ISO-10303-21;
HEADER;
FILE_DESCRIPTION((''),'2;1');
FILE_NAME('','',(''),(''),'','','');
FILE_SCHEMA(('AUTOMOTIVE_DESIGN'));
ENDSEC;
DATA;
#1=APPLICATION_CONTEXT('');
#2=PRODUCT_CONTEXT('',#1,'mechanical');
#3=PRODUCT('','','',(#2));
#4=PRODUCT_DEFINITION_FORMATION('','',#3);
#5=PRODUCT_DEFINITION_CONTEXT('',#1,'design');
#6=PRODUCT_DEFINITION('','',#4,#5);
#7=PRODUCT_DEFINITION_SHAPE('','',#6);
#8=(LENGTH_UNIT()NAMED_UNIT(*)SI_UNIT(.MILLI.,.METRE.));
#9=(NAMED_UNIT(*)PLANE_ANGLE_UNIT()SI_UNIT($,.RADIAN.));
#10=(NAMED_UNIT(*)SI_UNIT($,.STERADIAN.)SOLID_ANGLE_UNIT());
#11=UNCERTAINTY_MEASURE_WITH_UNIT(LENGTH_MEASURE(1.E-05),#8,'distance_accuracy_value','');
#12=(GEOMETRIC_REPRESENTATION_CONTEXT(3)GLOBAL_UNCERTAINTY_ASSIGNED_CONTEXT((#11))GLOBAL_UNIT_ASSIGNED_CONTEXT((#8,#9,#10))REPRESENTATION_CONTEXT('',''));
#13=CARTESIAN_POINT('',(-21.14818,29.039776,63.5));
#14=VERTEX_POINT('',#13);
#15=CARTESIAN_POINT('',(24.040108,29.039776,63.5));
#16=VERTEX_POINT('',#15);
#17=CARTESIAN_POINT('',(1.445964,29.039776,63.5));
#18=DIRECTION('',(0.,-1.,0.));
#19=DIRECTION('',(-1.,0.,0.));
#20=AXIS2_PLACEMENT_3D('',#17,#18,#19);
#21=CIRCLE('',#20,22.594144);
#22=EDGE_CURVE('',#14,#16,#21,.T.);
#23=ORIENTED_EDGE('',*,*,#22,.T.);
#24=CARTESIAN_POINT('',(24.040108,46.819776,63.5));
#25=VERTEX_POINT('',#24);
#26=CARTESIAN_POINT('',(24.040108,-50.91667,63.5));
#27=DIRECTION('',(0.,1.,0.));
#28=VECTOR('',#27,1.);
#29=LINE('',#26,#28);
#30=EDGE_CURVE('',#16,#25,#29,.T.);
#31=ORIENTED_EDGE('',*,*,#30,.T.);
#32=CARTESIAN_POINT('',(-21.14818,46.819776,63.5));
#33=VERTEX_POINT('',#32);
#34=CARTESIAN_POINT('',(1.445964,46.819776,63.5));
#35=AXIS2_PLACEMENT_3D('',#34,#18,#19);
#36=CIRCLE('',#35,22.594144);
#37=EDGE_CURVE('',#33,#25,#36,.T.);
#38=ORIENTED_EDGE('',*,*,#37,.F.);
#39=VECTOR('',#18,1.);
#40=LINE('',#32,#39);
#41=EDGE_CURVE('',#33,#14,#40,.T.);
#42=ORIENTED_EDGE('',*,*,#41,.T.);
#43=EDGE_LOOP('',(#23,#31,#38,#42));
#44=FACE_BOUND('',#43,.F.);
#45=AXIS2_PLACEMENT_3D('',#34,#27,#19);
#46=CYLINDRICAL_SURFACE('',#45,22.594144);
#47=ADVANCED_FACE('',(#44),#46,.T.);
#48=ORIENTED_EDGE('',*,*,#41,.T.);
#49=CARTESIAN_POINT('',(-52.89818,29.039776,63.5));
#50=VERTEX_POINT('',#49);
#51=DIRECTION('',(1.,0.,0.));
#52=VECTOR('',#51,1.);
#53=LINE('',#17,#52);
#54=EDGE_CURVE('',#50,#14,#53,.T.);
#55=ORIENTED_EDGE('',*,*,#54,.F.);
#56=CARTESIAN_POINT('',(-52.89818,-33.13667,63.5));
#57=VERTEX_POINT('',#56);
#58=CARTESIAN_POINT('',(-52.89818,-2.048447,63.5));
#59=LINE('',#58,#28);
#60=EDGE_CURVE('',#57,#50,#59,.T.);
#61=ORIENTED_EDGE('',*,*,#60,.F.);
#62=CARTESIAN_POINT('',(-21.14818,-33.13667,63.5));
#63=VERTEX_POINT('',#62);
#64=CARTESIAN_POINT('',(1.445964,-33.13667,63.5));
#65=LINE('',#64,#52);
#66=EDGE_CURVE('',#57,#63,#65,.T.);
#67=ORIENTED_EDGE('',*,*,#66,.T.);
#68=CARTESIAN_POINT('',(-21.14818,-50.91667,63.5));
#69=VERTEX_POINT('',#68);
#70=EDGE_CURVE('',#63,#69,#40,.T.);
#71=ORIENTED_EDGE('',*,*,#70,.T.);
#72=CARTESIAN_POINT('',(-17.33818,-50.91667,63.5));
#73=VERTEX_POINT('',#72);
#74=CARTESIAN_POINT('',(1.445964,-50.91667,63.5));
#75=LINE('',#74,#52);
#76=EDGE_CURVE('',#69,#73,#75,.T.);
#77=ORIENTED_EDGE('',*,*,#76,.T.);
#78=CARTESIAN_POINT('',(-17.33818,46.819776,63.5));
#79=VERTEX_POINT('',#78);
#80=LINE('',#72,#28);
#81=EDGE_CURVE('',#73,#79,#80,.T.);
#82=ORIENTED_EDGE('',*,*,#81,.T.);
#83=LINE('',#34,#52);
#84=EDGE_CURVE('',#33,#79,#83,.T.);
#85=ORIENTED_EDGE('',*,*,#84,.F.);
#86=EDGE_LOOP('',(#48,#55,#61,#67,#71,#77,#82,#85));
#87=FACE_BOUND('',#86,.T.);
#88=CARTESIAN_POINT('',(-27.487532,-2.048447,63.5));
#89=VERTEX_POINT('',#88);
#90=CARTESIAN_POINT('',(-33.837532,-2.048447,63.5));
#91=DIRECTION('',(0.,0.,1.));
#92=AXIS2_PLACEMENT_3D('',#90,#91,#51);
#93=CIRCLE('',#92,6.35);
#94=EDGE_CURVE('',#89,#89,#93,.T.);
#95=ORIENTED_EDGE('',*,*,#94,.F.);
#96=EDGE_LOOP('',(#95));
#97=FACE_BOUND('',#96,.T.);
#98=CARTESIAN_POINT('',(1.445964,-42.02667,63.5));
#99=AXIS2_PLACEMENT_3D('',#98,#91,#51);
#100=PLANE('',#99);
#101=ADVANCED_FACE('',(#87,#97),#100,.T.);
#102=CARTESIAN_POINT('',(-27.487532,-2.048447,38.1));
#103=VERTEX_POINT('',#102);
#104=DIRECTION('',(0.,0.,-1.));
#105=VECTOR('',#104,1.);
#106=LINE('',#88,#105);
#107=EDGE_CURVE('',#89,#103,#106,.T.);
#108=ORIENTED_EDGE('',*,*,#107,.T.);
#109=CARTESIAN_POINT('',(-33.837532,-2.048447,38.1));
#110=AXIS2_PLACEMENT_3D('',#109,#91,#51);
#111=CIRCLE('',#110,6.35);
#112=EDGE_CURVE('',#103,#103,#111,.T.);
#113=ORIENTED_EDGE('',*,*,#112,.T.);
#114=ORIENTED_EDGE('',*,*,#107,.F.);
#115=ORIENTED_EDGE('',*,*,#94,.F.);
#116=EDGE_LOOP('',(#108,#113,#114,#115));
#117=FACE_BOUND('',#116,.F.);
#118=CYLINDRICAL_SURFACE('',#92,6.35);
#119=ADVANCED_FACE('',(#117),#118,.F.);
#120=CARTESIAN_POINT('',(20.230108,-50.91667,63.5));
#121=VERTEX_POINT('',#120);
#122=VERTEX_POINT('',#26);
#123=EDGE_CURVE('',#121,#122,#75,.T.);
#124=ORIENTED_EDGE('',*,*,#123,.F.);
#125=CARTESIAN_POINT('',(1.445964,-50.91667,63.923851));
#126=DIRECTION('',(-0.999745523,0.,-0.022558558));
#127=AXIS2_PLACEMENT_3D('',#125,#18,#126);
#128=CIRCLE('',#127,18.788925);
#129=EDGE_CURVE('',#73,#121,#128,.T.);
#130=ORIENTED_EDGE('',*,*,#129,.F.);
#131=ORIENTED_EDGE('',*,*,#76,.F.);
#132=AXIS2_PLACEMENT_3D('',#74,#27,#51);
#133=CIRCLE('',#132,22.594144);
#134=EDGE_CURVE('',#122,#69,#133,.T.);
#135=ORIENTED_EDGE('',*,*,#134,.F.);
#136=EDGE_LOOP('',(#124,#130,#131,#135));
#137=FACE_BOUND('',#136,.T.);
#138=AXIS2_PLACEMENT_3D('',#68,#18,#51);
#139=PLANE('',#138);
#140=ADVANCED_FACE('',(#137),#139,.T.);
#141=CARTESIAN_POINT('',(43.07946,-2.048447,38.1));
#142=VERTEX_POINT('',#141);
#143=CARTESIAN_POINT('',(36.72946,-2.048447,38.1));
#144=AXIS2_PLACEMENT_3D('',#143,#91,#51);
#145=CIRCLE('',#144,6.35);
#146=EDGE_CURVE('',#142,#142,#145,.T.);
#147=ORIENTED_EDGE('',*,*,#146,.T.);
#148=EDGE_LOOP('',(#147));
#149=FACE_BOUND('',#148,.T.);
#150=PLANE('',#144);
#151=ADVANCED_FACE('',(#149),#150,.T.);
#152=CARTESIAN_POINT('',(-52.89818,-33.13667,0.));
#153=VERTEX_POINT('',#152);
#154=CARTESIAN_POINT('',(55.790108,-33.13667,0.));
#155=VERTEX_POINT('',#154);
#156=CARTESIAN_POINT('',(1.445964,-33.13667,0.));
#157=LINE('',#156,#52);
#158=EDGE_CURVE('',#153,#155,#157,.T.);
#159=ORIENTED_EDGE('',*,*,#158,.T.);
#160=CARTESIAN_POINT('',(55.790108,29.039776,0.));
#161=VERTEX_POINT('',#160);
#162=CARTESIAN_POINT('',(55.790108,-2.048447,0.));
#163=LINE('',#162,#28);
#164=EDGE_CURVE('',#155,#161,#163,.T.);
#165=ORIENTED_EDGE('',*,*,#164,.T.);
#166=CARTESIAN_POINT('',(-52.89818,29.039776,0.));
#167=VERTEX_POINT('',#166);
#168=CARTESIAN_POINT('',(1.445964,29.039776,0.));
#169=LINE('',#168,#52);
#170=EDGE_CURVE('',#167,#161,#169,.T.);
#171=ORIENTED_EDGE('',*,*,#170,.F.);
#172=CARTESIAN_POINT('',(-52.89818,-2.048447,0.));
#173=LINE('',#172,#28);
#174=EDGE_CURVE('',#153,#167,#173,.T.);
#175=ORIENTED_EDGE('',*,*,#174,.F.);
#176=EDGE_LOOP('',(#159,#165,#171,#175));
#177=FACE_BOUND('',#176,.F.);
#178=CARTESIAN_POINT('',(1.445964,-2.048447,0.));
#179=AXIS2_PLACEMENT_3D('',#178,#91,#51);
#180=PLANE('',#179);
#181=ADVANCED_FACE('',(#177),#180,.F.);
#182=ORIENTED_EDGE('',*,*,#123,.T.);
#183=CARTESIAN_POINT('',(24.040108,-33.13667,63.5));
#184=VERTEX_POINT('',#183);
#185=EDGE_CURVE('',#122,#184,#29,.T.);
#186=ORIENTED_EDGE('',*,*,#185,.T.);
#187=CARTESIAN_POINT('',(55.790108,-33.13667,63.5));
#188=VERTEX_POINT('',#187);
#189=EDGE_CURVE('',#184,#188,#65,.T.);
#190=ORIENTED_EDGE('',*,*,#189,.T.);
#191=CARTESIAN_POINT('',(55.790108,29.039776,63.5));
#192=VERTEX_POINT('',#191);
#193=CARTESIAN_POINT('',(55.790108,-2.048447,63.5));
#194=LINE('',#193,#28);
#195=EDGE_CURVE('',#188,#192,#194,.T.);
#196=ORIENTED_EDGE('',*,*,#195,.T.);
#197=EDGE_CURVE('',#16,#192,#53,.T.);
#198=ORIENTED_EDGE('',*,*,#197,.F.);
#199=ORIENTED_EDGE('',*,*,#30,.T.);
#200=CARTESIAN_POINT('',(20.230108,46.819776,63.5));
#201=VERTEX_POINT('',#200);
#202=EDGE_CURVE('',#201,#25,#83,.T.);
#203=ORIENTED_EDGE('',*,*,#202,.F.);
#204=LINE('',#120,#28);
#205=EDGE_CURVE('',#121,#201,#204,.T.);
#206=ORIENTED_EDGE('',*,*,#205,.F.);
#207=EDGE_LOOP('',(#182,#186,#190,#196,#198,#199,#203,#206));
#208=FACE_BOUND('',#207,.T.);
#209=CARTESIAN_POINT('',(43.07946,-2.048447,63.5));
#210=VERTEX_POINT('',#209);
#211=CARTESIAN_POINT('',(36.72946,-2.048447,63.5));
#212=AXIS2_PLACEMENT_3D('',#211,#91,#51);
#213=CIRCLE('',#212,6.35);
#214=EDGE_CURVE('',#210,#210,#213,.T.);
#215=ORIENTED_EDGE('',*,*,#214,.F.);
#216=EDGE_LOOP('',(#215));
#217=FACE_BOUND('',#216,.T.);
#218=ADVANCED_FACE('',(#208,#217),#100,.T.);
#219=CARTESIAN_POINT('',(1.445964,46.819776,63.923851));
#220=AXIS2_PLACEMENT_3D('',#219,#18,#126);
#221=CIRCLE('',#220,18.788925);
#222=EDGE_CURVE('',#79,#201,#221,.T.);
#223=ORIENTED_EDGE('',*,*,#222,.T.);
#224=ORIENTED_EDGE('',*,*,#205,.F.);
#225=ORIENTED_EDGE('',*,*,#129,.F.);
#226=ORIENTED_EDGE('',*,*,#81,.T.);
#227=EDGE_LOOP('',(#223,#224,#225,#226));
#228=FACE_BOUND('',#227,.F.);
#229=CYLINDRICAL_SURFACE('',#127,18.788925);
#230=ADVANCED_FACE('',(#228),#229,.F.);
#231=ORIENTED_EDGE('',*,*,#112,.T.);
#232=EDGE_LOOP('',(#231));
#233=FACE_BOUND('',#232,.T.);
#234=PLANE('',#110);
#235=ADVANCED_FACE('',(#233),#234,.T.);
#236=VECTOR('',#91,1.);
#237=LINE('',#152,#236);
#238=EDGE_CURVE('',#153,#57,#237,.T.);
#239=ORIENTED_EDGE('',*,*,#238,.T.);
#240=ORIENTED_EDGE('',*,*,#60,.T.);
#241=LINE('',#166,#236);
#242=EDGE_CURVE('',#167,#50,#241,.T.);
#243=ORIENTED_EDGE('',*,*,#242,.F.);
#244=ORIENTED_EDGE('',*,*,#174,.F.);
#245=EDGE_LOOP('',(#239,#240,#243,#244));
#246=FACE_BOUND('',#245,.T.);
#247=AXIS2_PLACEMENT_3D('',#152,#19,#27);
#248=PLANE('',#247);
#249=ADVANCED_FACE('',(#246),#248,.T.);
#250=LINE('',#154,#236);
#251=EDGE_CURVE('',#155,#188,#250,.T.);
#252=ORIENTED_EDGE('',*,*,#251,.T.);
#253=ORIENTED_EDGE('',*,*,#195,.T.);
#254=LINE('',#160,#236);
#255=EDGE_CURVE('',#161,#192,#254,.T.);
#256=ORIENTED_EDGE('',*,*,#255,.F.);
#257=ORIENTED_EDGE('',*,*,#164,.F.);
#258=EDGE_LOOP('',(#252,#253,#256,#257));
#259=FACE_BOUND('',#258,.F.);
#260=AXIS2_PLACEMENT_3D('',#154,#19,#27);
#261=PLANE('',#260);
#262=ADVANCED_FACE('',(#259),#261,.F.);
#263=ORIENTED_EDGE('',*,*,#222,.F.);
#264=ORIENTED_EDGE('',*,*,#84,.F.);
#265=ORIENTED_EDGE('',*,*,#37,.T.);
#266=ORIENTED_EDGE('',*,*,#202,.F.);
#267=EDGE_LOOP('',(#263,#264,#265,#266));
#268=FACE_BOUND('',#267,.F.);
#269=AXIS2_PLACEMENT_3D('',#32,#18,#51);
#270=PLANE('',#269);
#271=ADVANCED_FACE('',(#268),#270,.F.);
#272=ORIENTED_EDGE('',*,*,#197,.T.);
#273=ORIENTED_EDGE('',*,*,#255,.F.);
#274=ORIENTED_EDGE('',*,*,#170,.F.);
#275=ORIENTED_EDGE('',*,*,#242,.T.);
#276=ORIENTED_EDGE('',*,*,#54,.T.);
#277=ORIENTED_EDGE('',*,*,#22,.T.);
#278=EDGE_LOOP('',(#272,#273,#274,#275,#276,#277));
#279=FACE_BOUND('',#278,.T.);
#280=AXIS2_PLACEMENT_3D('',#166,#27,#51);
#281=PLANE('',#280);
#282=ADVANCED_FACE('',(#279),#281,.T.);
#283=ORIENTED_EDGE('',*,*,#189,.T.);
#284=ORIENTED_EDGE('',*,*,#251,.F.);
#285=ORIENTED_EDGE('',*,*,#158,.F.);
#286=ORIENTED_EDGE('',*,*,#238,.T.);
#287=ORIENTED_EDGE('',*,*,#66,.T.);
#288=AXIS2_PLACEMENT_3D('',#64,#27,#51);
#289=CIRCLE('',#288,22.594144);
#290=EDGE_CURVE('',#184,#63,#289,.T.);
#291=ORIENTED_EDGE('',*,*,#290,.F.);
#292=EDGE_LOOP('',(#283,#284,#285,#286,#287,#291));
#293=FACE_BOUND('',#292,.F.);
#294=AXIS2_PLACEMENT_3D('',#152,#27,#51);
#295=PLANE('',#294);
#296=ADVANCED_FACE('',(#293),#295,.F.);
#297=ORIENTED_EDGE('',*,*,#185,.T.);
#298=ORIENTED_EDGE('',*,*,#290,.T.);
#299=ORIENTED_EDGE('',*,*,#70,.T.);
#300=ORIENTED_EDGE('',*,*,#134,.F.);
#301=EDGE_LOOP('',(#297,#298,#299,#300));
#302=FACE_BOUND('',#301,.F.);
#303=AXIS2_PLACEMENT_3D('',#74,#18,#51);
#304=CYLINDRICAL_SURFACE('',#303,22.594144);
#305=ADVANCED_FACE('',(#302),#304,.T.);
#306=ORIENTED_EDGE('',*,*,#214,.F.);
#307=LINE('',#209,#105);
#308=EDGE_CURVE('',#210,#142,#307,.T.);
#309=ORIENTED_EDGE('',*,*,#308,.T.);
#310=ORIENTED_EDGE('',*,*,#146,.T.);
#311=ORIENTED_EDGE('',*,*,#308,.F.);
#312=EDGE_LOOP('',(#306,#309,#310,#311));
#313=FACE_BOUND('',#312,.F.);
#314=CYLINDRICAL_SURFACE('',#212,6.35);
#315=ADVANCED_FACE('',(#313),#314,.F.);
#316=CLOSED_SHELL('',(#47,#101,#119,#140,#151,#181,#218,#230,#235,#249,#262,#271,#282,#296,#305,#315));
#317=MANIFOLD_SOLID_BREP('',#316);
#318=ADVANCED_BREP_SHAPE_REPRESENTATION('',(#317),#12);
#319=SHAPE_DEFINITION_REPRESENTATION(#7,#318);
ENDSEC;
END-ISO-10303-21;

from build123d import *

# Parameters (mm, degrees)
F0_W      = 108.688287437
F0_H      = 62.1764454991
F1_DEPTH  = 63.5
F2_R      = 6.35
F3_DEPTH  = 25.4
F4_W      = 45.188287437
F4_H      = 17.78
F4_H_2    = 62.1764454991
F5_DEPTH  = 25.4
F7_DEPTH  = 17.78
F9_DEPTH  = 97.7364454991
F11_DEPTH = 17.78
F13_DEPTH = 17.78


with BuildPart() as f1:
    # F0 (on Top) → F1 (new body)
    with BuildSketch(Plane.XY):
        with Locations((1.4459639788, -2.0484467968)):
            Rectangle(F0_W, F0_H)
    extrude(amount=F1_DEPTH)

    # F2 (on face) → F3 (cut)
    with BuildSketch(Plane.XY.offset(63.5)):
        with Locations((-33.8375324716, -2.0484467968)):
            Circle(F2_R)
        with Locations((36.7294604292, -2.0484467968)):
            Circle(F2_R)
    extrude(amount=-F3_DEPTH, mode=Mode.SUBTRACT)

    # F4 (on face) → F5 (join)
    with BuildSketch(Plane.XY.offset(63.5)):
        with Locations((1.4459639788, -42.0266695464)):
            Rectangle(F4_W, F4_H)
        with Locations((1.4459639788, -2.0484467968)):
            Rectangle(F4_W, F4_H_2)
        with Locations((1.4459639788, 37.9297759527)):
            Rectangle(F4_W, F4_H)
    extrude(amount=-F5_DEPTH)

    # F6 (on face) → F7 (cut, through all)
    with BuildSketch(Plane.XZ.offset(50.9166695464)):
        with BuildLine():
            ThreePointArc((24.0401076972, 63.5), (1.4459639788, 40.9058562815), (-21.1481797397, 63.5))
            Line((-21.1481797397, 63.5), (-21.1481797397, 38.1))
            Line((-21.1481797397, 38.1), (24.0401076972, 38.1))
            Line((24.0401076972, 38.1), (24.0401076972, 63.5))
        make_face()
    extrude(amount=-F7_DEPTH, mode=Mode.SUBTRACT)

    # F8 (on face) → F9 (cut, through all)
    with BuildSketch(Plane.XZ.offset(50.9166695464)):
        with BuildLine():
            Line((20.2301076972, 63.5), (-17.3381797397, 63.5))
            ThreePointArc((-17.3381797397, 63.5), (1.4459639788, 45.134926003), (20.2301076972, 63.5))
        make_face()
    extrude(amount=-F9_DEPTH, mode=Mode.SUBTRACT)

    # F10 (on face) → F11 (join, through all)
    with BuildSketch(Plane(origin=(0, 46.8197759527, 0), x_dir=(-1, 0, 0), z_dir=(0, 1, 0))):
        with BuildLine():
            ThreePointArc((21.1481797397, 63.5), (-1.4459639788, 40.9058562815), (-24.0401076972, 63.5))
            Line((-24.0401076972, 63.5), (-24.0401076972, 38.1))
            Line((-24.0401076972, 38.1), (21.1481797397, 38.1))
            Line((21.1481797397, 38.1), (21.1481797397, 63.5))
        make_face()
    extrude(amount=-F11_DEPTH)

    # F12 (on face) → F13 (cut, through all)
    with BuildSketch(Plane(origin=(0, 46.8197759527, 0), x_dir=(-1, 0, 0), z_dir=(0, 1, 0))):
        with BuildLine():
            ThreePointArc((21.1481797397, 63.5), (-1.4459639788, 40.9058562815), (-24.0401076972, 63.5))
            Line((-24.0401076972, 63.5), (-24.0401076972, 38.1))
            Line((-24.0401076972, 38.1), (21.1481797397, 38.1))
            Line((21.1481797397, 38.1), (21.1481797397, 63.5))
        make_face()
    extrude(amount=-F13_DEPTH, mode=Mode.SUBTRACT)


solid = f1.part
